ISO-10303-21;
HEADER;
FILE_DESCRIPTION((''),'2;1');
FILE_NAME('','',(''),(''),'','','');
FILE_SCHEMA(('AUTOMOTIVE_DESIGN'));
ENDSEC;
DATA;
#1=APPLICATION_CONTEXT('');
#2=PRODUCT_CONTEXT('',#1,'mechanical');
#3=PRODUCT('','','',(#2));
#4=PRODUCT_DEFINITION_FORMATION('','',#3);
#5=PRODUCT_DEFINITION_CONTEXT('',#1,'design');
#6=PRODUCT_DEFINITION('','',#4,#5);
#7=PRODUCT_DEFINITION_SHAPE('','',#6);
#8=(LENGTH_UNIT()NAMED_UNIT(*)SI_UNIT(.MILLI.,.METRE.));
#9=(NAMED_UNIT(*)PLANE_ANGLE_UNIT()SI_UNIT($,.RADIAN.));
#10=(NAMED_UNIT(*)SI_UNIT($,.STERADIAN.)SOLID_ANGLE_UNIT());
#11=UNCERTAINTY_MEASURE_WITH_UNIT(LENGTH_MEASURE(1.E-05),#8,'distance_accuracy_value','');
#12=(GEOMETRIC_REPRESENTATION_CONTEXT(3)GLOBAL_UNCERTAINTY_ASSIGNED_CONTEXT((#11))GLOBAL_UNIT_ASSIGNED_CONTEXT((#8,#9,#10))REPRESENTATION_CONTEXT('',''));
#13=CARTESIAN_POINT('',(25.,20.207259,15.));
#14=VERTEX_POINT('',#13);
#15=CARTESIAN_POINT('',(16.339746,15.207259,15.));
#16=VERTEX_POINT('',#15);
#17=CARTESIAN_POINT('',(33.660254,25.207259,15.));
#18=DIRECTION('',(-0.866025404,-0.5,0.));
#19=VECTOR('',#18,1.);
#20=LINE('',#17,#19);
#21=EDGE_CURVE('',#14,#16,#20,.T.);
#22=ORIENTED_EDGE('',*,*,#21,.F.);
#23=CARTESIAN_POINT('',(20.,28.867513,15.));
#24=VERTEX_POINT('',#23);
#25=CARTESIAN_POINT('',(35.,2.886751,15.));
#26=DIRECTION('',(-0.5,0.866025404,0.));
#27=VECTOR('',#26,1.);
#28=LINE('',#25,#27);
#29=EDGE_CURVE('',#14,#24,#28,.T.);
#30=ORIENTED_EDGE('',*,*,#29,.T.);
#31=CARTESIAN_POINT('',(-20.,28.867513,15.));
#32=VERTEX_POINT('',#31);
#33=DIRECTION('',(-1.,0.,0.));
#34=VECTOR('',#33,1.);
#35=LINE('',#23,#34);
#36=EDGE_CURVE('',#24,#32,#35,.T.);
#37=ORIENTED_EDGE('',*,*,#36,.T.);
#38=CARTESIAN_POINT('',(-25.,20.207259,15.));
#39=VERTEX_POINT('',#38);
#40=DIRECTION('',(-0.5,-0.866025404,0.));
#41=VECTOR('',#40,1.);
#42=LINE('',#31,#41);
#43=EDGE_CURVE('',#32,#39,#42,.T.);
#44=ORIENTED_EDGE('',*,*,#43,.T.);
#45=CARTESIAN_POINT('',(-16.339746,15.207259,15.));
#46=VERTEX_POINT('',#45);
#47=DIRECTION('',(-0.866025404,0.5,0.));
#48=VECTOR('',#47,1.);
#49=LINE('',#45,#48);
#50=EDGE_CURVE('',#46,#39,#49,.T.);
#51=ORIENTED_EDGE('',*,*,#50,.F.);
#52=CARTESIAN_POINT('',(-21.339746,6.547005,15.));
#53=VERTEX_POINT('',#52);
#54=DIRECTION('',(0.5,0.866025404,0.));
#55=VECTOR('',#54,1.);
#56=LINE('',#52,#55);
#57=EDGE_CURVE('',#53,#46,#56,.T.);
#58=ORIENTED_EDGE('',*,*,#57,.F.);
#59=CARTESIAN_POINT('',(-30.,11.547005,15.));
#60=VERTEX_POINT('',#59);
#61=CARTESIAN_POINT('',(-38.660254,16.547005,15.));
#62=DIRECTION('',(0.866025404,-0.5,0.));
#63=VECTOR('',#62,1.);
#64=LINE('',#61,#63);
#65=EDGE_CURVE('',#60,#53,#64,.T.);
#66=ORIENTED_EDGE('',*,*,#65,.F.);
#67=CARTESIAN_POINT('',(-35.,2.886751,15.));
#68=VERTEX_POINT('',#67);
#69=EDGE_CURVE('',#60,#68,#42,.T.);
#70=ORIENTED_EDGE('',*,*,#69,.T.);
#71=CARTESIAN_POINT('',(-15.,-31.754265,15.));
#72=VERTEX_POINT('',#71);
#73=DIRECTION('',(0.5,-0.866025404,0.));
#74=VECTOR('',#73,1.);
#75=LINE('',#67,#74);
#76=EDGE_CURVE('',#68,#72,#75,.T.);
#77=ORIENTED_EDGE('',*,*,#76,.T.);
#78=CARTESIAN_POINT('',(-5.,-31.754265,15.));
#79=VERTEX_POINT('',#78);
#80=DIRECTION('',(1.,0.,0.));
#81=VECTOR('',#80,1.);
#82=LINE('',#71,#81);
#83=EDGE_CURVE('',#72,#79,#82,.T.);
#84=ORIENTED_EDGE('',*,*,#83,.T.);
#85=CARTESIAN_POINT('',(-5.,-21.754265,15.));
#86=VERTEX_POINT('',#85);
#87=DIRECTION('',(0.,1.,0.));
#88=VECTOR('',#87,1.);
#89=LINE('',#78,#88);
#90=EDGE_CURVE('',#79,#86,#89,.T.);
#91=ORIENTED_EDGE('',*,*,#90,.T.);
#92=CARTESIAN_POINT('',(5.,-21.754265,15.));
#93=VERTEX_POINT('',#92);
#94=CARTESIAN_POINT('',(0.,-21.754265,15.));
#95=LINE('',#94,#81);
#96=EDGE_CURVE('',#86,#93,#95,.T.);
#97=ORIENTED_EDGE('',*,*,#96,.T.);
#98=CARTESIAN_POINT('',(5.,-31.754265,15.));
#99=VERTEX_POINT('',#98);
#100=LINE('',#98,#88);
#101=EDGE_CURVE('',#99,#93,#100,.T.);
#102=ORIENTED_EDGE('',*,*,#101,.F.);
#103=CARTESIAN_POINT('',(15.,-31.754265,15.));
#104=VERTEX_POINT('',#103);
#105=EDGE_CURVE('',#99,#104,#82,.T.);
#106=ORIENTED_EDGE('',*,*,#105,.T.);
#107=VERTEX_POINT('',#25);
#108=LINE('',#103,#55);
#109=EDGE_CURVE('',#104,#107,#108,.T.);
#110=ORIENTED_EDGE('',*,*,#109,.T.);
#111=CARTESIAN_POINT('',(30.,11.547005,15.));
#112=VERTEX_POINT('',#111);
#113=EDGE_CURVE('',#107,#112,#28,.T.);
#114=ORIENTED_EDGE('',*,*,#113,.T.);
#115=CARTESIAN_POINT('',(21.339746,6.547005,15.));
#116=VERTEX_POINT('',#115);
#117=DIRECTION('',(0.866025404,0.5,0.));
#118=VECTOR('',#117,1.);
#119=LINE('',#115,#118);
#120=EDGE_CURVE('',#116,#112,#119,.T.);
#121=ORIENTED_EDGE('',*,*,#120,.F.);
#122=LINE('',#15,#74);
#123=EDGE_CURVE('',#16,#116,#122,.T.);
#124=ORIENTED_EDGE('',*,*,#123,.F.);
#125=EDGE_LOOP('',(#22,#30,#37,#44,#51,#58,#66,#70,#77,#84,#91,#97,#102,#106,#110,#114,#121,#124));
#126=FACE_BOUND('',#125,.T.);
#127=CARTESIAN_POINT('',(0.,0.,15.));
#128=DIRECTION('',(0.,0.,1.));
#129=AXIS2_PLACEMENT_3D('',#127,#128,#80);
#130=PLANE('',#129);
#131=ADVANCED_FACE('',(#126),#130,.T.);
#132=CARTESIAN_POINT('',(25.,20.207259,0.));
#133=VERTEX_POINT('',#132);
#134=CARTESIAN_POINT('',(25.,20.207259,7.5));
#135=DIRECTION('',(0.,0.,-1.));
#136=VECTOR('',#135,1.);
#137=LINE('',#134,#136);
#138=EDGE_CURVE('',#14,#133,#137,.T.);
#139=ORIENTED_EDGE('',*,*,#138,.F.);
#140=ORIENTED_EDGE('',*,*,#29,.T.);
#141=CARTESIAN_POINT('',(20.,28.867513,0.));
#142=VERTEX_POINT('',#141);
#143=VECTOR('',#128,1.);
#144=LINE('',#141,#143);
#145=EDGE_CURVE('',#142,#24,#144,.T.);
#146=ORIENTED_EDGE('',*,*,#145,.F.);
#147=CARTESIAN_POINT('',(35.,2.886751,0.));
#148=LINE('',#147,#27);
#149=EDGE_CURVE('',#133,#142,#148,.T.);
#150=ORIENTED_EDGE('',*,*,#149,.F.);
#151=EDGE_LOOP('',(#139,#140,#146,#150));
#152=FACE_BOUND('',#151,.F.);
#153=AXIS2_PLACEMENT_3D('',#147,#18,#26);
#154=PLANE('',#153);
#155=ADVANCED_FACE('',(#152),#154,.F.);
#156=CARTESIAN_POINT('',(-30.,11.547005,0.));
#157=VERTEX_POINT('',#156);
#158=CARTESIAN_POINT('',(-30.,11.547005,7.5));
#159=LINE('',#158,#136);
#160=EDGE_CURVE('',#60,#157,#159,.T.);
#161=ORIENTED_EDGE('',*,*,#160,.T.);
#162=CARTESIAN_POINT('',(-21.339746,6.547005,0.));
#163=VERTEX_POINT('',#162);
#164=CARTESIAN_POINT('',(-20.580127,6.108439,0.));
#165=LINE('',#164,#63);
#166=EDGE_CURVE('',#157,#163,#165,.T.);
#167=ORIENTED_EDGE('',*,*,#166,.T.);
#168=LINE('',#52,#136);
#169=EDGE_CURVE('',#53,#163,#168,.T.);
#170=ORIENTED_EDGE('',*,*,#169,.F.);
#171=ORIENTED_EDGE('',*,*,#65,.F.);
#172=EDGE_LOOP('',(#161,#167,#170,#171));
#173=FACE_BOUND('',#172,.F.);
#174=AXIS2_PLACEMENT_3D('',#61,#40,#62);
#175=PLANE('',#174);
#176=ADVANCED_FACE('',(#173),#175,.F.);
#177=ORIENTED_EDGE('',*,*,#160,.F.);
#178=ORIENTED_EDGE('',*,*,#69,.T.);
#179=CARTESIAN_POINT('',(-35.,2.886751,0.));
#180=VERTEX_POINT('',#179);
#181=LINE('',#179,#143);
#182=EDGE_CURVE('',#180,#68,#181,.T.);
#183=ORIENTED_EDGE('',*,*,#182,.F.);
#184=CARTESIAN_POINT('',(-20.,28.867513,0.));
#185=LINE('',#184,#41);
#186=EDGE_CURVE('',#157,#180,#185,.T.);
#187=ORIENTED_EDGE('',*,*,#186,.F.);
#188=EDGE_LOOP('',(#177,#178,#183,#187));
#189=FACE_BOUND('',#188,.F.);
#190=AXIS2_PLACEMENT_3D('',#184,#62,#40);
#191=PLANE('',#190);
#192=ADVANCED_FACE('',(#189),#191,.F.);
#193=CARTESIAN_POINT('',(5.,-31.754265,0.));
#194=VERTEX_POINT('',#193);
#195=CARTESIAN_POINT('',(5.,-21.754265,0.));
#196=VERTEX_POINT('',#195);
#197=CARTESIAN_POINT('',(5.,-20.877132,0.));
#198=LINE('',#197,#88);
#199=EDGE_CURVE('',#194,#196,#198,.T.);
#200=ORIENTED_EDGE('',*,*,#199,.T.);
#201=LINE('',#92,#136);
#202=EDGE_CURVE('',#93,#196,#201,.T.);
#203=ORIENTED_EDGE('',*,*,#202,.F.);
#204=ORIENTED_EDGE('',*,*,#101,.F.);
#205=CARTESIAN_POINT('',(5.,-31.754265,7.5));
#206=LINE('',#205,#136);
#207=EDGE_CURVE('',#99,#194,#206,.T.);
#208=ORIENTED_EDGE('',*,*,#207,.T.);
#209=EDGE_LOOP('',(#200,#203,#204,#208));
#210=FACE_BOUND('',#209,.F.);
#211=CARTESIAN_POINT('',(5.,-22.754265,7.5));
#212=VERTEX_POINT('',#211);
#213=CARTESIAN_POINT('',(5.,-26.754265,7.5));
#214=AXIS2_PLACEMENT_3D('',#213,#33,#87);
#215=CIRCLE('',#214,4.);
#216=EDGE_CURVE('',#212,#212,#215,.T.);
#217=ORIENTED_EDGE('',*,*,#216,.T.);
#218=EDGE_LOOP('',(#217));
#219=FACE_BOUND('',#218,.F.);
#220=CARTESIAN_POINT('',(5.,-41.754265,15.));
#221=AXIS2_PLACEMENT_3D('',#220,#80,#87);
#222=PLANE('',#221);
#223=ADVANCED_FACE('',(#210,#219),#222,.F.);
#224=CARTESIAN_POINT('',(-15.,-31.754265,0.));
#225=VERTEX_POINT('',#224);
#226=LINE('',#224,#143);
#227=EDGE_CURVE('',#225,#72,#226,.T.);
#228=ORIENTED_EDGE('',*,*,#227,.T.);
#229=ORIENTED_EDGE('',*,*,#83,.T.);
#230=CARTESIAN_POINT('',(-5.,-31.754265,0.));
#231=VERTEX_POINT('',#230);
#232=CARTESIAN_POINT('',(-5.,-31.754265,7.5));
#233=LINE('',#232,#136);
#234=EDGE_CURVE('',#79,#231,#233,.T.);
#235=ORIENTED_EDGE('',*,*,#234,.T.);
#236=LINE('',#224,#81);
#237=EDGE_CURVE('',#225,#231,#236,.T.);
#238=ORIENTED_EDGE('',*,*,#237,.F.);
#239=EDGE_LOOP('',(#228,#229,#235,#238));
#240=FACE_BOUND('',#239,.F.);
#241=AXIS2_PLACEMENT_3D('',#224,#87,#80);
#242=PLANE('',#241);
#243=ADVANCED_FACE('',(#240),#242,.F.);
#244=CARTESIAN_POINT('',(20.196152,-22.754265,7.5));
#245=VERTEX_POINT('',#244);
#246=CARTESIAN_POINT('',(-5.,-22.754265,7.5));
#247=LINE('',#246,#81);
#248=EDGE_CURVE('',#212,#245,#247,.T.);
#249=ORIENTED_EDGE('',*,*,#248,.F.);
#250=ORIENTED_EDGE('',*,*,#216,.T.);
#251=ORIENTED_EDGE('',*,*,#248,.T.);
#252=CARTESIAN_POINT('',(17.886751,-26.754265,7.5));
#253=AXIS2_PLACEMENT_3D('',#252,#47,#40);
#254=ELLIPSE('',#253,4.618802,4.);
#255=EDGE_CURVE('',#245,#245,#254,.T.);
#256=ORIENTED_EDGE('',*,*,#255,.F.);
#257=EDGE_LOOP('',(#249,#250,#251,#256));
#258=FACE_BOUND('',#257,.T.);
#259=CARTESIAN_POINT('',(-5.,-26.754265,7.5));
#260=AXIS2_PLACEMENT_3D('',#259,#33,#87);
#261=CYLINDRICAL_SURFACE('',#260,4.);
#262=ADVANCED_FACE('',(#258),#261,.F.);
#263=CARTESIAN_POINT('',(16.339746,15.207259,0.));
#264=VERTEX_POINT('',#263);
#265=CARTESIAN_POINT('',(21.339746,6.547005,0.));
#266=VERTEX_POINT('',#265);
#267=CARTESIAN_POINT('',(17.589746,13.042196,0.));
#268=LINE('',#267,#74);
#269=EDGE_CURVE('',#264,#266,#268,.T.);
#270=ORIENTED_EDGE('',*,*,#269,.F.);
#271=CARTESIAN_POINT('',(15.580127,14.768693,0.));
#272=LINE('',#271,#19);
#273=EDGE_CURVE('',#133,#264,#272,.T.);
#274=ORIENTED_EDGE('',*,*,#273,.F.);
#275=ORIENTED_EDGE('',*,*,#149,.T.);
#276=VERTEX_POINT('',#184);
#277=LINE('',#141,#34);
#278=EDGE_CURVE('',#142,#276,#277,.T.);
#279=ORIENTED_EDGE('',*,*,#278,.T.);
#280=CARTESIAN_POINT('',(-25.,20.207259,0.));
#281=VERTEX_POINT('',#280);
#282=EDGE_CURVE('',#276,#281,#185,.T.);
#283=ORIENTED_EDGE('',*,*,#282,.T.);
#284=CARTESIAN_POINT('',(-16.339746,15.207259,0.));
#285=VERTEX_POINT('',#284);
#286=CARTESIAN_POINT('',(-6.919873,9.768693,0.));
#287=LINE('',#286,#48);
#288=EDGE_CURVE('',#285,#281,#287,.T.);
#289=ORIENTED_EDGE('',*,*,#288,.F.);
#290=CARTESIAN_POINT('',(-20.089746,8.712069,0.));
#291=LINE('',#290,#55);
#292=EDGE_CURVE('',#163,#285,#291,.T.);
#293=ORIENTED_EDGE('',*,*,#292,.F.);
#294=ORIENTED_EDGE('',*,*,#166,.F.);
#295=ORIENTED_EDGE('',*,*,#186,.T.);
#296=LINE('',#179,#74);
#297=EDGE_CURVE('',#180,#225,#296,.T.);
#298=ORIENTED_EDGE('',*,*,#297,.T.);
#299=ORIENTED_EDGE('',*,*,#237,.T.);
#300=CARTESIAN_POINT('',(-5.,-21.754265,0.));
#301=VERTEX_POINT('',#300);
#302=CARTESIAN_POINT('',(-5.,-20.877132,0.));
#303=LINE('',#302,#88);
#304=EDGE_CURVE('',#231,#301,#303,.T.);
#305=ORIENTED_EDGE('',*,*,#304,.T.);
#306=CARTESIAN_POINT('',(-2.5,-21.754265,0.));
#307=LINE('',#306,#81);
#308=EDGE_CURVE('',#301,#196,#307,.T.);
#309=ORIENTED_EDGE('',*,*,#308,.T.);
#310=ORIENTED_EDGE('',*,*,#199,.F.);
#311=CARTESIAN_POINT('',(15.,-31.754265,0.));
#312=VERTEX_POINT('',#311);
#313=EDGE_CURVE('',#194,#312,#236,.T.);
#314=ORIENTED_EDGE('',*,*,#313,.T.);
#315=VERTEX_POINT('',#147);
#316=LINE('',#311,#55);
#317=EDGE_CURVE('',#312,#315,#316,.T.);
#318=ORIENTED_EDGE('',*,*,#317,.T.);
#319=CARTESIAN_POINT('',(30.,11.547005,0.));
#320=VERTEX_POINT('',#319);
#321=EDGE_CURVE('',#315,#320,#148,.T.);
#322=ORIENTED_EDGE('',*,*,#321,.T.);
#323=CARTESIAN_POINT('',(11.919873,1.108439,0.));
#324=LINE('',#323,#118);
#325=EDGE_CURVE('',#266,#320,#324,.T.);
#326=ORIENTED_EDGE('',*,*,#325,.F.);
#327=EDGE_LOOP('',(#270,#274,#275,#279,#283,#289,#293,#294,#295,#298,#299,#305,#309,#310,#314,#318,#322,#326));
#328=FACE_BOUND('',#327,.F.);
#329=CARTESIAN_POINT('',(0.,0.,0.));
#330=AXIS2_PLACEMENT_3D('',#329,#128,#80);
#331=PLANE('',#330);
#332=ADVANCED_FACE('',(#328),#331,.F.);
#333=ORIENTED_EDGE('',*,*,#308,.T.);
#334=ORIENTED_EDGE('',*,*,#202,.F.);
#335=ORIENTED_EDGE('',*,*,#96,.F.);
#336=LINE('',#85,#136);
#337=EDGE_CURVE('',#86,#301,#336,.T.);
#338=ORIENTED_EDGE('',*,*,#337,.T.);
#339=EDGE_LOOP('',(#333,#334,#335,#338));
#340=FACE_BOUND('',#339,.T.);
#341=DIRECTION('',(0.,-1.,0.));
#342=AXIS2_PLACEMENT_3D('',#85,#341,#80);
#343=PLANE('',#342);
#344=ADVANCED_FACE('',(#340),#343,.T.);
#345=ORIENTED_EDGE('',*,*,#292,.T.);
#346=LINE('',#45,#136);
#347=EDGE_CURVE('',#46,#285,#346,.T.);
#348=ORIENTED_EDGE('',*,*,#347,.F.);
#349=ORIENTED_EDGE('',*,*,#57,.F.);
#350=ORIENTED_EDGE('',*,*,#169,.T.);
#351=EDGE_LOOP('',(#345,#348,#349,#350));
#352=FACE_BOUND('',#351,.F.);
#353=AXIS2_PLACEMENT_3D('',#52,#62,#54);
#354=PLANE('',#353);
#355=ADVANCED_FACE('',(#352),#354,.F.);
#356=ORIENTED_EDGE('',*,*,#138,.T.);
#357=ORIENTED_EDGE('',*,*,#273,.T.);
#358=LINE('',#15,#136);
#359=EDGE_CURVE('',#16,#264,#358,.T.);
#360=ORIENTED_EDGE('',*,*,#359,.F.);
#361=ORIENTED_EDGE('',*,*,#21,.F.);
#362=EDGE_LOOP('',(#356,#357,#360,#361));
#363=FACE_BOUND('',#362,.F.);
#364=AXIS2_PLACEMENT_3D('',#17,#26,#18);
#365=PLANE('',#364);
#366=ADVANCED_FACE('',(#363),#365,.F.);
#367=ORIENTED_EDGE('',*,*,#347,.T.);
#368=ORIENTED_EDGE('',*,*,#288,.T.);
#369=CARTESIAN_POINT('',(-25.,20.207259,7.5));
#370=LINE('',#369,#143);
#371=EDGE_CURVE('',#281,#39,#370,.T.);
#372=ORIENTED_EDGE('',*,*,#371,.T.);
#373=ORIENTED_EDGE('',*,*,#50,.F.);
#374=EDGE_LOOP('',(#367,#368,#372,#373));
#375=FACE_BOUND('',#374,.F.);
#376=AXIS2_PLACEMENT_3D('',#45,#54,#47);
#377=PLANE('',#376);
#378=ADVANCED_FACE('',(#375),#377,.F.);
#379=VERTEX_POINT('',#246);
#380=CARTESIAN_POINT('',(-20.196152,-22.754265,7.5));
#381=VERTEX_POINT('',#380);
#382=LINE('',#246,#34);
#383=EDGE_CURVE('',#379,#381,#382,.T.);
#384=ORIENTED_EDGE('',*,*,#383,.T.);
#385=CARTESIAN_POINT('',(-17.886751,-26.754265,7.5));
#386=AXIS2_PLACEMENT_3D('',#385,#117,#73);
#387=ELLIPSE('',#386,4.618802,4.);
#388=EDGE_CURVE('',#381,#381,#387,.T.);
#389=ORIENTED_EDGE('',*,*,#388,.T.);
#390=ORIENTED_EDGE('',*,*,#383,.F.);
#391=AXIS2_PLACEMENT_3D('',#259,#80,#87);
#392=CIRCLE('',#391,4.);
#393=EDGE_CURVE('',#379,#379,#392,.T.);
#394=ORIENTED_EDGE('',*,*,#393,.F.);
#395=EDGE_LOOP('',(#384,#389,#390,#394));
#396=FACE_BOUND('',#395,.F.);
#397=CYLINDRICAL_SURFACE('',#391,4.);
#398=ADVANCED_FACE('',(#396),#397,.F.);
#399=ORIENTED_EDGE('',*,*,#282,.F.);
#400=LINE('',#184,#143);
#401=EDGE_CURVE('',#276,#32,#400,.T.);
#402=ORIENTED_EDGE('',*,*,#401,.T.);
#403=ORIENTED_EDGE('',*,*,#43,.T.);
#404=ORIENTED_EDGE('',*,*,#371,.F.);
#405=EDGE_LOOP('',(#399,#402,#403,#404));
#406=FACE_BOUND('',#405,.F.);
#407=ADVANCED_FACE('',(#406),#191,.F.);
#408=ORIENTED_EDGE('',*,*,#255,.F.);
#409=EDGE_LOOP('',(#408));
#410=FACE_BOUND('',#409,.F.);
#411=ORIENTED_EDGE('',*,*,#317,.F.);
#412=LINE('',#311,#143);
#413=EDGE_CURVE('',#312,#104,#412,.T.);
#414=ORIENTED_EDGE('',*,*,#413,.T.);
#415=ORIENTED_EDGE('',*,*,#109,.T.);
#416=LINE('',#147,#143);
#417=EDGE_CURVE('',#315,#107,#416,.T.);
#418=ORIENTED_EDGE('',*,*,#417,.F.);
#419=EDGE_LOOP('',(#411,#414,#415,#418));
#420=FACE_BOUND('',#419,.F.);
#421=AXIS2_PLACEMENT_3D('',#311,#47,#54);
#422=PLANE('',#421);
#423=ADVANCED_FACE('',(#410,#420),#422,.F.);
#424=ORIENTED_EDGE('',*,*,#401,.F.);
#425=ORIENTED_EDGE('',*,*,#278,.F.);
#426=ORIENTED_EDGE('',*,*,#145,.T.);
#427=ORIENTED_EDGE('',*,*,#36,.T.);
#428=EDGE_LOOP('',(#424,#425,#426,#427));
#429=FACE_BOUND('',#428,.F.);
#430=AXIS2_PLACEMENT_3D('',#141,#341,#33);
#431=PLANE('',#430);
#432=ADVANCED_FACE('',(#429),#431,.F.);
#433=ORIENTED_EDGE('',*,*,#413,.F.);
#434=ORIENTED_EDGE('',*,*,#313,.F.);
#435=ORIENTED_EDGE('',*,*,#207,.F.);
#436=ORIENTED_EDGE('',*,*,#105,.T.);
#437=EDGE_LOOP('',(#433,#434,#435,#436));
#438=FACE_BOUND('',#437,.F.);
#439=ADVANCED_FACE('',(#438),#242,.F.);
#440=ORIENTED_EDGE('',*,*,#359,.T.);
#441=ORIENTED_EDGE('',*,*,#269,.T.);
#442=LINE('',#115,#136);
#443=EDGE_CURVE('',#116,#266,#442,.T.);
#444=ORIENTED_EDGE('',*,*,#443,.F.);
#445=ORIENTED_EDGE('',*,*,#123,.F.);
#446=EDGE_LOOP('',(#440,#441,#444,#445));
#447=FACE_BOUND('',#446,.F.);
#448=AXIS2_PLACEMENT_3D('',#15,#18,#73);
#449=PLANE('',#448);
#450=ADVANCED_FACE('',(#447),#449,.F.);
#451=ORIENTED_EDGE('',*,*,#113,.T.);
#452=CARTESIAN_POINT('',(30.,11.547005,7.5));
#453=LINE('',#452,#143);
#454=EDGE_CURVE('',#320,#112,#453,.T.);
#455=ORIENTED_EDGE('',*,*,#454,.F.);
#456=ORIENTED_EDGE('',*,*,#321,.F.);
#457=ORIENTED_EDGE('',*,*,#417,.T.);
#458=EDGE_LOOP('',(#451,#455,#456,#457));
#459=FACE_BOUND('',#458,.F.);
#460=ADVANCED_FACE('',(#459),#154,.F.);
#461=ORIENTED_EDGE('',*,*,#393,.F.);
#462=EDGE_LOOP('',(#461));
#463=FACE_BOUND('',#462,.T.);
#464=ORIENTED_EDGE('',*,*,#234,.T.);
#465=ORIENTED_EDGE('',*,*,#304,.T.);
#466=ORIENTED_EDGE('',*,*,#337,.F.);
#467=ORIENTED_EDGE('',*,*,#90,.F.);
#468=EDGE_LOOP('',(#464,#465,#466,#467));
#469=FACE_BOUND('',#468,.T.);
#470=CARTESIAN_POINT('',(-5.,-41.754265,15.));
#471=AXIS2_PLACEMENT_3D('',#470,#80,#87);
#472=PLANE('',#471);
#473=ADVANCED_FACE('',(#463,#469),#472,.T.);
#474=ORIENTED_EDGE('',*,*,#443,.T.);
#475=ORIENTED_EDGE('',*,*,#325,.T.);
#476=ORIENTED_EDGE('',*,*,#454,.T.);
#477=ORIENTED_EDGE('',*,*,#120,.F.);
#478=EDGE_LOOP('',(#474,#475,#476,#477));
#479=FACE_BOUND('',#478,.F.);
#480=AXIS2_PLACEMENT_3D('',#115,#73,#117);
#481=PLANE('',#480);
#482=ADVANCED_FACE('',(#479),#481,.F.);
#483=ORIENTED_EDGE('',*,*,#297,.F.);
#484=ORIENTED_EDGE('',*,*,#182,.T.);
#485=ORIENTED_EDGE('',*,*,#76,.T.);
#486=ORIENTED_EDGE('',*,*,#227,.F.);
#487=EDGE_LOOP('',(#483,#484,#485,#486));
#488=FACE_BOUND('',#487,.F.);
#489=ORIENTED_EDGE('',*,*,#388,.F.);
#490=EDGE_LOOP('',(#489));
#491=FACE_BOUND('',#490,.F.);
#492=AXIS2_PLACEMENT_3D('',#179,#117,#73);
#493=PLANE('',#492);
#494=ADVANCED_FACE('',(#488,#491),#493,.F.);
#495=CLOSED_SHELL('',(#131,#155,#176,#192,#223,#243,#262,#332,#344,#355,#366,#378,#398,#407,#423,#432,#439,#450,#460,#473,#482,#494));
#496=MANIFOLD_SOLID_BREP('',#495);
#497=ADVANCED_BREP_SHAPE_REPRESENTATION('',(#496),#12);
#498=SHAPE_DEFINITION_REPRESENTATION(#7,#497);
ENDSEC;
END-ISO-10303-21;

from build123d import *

# Parameters (mm, degrees)
F1_DEPTH      = 15
F2_W          = 10
F2_H          = 20
F3_DEPTH      = 15.001
F4_R          = 4
F5_DEPTH      = 30.001
F5_DEPTH_BACK = 40.001


with BuildPart() as f1:
    # F0 (on Top) → F1 (new body)
    with BuildSketch(Plane.XY):
        Polygon((-20, 28.8675134595), (-35, 2.8867513459), (-15, -31.7542648054), (15, -31.7542648054), (35, 2.8867513459), (20, 28.8675134595), align=None)
    extrude(amount=F1_DEPTH)

    # F2 (on face) → F3 (cut, through all)
    with BuildSketch(Plane.XY.offset(15)):
        with Locations((0, -31.7542648054)):
            Rectangle(F2_W, F2_H)
        Polygon((-38.6602540378, 16.5470053838), (-21.3397459622, 6.5470053838), (-16.3397459622, 15.2072594216), (-33.6602540378, 25.2072594216), align=None)
        Polygon((33.6602540378, 25.2072594216), (16.3397459622, 15.2072594216), (21.3397459622, 6.5470053838), (38.6602540378, 16.5470053838), align=None)
    extrude(amount=-F3_DEPTH, mode=Mode.SUBTRACT)

    # F4 (on face) → F5 (cut, two sides)
    with BuildSketch(Plane.YZ.offset(-5)) as f5_sk:
        with Locations((-26.7542648054, 7.5)):
            Circle(F4_R)
    extrude(amount=-F5_DEPTH, mode=Mode.SUBTRACT)
    extrude(f5_sk.sketch, amount=F5_DEPTH_BACK, mode=Mode.SUBTRACT)


solid = f1.part
